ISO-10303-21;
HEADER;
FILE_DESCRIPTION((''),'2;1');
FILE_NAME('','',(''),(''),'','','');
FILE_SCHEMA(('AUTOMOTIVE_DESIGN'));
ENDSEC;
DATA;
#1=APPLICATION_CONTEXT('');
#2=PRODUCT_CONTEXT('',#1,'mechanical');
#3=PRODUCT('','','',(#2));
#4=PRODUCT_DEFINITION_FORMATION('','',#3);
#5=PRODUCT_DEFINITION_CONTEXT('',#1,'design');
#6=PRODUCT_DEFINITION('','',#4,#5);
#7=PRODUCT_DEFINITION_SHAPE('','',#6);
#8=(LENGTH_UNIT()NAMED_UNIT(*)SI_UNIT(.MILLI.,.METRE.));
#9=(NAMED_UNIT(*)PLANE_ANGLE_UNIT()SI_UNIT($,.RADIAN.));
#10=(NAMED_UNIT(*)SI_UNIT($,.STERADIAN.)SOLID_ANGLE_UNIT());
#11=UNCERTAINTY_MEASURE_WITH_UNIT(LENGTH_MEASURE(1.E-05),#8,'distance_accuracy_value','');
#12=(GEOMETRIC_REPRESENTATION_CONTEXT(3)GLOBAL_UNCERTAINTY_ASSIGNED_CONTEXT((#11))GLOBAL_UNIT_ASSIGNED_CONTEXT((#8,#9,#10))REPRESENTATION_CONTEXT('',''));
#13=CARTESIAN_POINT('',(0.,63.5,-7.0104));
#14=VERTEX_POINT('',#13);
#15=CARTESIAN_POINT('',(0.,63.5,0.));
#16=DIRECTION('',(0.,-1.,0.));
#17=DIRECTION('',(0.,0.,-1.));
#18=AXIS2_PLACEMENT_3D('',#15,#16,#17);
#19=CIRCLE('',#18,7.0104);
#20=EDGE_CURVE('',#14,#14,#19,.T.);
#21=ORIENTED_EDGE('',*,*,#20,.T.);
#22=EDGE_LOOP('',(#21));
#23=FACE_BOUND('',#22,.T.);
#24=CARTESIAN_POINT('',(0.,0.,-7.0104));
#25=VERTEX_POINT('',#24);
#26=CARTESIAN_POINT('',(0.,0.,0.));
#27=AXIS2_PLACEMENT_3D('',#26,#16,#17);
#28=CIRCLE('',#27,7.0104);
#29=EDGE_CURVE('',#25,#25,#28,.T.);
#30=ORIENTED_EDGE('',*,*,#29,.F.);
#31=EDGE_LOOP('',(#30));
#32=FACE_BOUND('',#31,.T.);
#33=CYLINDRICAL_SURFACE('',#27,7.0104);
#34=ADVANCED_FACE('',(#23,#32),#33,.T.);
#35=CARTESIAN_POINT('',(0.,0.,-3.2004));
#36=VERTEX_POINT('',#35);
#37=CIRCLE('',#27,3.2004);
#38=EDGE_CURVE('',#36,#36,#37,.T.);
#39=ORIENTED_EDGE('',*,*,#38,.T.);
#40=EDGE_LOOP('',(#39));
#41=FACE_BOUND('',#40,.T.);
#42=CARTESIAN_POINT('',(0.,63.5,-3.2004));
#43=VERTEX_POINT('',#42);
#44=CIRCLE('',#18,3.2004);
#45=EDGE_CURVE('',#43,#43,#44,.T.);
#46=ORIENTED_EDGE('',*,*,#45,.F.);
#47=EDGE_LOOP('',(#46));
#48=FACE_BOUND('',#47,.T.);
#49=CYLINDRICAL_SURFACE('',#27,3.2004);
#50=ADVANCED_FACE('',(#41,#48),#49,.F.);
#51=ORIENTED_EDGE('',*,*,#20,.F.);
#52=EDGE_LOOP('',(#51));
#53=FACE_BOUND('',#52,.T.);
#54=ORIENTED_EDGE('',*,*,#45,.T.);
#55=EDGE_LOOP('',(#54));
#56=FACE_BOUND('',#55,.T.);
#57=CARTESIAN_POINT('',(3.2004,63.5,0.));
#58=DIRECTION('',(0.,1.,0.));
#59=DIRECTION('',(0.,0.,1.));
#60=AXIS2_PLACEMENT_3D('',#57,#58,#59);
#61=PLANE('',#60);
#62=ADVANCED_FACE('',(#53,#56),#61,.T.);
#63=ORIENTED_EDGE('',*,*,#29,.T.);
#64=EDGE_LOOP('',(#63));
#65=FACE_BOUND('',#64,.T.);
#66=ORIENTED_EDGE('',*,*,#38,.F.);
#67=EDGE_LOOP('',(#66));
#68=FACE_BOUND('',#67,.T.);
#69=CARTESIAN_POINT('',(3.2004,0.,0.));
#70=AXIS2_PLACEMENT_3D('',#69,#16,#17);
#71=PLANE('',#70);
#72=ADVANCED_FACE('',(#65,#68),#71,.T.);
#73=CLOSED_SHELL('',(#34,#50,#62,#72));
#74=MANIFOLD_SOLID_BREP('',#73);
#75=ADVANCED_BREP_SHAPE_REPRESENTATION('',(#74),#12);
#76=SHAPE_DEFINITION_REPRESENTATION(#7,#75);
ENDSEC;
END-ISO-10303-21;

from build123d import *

# Parameters (mm, degrees)
SKETCH1_W = 3.81
SKETCH1_H = 63.5


with BuildPart() as part:
    # Sketch1 → Revolve1 (revolve)
    with BuildSketch(Plane.XY, mode=Mode.PRIVATE) as revolve1_sk:
        with Locations((5.1054, 31.75)):
            Rectangle(SKETCH1_W, SKETCH1_H)
    revolve(revolve1_sk.sketch.rotate(Axis((0, 0, 0), (0, 1, 0)), 90), axis=Axis((0, 0, 0), (0, 1, 0)))


solid = part.part
